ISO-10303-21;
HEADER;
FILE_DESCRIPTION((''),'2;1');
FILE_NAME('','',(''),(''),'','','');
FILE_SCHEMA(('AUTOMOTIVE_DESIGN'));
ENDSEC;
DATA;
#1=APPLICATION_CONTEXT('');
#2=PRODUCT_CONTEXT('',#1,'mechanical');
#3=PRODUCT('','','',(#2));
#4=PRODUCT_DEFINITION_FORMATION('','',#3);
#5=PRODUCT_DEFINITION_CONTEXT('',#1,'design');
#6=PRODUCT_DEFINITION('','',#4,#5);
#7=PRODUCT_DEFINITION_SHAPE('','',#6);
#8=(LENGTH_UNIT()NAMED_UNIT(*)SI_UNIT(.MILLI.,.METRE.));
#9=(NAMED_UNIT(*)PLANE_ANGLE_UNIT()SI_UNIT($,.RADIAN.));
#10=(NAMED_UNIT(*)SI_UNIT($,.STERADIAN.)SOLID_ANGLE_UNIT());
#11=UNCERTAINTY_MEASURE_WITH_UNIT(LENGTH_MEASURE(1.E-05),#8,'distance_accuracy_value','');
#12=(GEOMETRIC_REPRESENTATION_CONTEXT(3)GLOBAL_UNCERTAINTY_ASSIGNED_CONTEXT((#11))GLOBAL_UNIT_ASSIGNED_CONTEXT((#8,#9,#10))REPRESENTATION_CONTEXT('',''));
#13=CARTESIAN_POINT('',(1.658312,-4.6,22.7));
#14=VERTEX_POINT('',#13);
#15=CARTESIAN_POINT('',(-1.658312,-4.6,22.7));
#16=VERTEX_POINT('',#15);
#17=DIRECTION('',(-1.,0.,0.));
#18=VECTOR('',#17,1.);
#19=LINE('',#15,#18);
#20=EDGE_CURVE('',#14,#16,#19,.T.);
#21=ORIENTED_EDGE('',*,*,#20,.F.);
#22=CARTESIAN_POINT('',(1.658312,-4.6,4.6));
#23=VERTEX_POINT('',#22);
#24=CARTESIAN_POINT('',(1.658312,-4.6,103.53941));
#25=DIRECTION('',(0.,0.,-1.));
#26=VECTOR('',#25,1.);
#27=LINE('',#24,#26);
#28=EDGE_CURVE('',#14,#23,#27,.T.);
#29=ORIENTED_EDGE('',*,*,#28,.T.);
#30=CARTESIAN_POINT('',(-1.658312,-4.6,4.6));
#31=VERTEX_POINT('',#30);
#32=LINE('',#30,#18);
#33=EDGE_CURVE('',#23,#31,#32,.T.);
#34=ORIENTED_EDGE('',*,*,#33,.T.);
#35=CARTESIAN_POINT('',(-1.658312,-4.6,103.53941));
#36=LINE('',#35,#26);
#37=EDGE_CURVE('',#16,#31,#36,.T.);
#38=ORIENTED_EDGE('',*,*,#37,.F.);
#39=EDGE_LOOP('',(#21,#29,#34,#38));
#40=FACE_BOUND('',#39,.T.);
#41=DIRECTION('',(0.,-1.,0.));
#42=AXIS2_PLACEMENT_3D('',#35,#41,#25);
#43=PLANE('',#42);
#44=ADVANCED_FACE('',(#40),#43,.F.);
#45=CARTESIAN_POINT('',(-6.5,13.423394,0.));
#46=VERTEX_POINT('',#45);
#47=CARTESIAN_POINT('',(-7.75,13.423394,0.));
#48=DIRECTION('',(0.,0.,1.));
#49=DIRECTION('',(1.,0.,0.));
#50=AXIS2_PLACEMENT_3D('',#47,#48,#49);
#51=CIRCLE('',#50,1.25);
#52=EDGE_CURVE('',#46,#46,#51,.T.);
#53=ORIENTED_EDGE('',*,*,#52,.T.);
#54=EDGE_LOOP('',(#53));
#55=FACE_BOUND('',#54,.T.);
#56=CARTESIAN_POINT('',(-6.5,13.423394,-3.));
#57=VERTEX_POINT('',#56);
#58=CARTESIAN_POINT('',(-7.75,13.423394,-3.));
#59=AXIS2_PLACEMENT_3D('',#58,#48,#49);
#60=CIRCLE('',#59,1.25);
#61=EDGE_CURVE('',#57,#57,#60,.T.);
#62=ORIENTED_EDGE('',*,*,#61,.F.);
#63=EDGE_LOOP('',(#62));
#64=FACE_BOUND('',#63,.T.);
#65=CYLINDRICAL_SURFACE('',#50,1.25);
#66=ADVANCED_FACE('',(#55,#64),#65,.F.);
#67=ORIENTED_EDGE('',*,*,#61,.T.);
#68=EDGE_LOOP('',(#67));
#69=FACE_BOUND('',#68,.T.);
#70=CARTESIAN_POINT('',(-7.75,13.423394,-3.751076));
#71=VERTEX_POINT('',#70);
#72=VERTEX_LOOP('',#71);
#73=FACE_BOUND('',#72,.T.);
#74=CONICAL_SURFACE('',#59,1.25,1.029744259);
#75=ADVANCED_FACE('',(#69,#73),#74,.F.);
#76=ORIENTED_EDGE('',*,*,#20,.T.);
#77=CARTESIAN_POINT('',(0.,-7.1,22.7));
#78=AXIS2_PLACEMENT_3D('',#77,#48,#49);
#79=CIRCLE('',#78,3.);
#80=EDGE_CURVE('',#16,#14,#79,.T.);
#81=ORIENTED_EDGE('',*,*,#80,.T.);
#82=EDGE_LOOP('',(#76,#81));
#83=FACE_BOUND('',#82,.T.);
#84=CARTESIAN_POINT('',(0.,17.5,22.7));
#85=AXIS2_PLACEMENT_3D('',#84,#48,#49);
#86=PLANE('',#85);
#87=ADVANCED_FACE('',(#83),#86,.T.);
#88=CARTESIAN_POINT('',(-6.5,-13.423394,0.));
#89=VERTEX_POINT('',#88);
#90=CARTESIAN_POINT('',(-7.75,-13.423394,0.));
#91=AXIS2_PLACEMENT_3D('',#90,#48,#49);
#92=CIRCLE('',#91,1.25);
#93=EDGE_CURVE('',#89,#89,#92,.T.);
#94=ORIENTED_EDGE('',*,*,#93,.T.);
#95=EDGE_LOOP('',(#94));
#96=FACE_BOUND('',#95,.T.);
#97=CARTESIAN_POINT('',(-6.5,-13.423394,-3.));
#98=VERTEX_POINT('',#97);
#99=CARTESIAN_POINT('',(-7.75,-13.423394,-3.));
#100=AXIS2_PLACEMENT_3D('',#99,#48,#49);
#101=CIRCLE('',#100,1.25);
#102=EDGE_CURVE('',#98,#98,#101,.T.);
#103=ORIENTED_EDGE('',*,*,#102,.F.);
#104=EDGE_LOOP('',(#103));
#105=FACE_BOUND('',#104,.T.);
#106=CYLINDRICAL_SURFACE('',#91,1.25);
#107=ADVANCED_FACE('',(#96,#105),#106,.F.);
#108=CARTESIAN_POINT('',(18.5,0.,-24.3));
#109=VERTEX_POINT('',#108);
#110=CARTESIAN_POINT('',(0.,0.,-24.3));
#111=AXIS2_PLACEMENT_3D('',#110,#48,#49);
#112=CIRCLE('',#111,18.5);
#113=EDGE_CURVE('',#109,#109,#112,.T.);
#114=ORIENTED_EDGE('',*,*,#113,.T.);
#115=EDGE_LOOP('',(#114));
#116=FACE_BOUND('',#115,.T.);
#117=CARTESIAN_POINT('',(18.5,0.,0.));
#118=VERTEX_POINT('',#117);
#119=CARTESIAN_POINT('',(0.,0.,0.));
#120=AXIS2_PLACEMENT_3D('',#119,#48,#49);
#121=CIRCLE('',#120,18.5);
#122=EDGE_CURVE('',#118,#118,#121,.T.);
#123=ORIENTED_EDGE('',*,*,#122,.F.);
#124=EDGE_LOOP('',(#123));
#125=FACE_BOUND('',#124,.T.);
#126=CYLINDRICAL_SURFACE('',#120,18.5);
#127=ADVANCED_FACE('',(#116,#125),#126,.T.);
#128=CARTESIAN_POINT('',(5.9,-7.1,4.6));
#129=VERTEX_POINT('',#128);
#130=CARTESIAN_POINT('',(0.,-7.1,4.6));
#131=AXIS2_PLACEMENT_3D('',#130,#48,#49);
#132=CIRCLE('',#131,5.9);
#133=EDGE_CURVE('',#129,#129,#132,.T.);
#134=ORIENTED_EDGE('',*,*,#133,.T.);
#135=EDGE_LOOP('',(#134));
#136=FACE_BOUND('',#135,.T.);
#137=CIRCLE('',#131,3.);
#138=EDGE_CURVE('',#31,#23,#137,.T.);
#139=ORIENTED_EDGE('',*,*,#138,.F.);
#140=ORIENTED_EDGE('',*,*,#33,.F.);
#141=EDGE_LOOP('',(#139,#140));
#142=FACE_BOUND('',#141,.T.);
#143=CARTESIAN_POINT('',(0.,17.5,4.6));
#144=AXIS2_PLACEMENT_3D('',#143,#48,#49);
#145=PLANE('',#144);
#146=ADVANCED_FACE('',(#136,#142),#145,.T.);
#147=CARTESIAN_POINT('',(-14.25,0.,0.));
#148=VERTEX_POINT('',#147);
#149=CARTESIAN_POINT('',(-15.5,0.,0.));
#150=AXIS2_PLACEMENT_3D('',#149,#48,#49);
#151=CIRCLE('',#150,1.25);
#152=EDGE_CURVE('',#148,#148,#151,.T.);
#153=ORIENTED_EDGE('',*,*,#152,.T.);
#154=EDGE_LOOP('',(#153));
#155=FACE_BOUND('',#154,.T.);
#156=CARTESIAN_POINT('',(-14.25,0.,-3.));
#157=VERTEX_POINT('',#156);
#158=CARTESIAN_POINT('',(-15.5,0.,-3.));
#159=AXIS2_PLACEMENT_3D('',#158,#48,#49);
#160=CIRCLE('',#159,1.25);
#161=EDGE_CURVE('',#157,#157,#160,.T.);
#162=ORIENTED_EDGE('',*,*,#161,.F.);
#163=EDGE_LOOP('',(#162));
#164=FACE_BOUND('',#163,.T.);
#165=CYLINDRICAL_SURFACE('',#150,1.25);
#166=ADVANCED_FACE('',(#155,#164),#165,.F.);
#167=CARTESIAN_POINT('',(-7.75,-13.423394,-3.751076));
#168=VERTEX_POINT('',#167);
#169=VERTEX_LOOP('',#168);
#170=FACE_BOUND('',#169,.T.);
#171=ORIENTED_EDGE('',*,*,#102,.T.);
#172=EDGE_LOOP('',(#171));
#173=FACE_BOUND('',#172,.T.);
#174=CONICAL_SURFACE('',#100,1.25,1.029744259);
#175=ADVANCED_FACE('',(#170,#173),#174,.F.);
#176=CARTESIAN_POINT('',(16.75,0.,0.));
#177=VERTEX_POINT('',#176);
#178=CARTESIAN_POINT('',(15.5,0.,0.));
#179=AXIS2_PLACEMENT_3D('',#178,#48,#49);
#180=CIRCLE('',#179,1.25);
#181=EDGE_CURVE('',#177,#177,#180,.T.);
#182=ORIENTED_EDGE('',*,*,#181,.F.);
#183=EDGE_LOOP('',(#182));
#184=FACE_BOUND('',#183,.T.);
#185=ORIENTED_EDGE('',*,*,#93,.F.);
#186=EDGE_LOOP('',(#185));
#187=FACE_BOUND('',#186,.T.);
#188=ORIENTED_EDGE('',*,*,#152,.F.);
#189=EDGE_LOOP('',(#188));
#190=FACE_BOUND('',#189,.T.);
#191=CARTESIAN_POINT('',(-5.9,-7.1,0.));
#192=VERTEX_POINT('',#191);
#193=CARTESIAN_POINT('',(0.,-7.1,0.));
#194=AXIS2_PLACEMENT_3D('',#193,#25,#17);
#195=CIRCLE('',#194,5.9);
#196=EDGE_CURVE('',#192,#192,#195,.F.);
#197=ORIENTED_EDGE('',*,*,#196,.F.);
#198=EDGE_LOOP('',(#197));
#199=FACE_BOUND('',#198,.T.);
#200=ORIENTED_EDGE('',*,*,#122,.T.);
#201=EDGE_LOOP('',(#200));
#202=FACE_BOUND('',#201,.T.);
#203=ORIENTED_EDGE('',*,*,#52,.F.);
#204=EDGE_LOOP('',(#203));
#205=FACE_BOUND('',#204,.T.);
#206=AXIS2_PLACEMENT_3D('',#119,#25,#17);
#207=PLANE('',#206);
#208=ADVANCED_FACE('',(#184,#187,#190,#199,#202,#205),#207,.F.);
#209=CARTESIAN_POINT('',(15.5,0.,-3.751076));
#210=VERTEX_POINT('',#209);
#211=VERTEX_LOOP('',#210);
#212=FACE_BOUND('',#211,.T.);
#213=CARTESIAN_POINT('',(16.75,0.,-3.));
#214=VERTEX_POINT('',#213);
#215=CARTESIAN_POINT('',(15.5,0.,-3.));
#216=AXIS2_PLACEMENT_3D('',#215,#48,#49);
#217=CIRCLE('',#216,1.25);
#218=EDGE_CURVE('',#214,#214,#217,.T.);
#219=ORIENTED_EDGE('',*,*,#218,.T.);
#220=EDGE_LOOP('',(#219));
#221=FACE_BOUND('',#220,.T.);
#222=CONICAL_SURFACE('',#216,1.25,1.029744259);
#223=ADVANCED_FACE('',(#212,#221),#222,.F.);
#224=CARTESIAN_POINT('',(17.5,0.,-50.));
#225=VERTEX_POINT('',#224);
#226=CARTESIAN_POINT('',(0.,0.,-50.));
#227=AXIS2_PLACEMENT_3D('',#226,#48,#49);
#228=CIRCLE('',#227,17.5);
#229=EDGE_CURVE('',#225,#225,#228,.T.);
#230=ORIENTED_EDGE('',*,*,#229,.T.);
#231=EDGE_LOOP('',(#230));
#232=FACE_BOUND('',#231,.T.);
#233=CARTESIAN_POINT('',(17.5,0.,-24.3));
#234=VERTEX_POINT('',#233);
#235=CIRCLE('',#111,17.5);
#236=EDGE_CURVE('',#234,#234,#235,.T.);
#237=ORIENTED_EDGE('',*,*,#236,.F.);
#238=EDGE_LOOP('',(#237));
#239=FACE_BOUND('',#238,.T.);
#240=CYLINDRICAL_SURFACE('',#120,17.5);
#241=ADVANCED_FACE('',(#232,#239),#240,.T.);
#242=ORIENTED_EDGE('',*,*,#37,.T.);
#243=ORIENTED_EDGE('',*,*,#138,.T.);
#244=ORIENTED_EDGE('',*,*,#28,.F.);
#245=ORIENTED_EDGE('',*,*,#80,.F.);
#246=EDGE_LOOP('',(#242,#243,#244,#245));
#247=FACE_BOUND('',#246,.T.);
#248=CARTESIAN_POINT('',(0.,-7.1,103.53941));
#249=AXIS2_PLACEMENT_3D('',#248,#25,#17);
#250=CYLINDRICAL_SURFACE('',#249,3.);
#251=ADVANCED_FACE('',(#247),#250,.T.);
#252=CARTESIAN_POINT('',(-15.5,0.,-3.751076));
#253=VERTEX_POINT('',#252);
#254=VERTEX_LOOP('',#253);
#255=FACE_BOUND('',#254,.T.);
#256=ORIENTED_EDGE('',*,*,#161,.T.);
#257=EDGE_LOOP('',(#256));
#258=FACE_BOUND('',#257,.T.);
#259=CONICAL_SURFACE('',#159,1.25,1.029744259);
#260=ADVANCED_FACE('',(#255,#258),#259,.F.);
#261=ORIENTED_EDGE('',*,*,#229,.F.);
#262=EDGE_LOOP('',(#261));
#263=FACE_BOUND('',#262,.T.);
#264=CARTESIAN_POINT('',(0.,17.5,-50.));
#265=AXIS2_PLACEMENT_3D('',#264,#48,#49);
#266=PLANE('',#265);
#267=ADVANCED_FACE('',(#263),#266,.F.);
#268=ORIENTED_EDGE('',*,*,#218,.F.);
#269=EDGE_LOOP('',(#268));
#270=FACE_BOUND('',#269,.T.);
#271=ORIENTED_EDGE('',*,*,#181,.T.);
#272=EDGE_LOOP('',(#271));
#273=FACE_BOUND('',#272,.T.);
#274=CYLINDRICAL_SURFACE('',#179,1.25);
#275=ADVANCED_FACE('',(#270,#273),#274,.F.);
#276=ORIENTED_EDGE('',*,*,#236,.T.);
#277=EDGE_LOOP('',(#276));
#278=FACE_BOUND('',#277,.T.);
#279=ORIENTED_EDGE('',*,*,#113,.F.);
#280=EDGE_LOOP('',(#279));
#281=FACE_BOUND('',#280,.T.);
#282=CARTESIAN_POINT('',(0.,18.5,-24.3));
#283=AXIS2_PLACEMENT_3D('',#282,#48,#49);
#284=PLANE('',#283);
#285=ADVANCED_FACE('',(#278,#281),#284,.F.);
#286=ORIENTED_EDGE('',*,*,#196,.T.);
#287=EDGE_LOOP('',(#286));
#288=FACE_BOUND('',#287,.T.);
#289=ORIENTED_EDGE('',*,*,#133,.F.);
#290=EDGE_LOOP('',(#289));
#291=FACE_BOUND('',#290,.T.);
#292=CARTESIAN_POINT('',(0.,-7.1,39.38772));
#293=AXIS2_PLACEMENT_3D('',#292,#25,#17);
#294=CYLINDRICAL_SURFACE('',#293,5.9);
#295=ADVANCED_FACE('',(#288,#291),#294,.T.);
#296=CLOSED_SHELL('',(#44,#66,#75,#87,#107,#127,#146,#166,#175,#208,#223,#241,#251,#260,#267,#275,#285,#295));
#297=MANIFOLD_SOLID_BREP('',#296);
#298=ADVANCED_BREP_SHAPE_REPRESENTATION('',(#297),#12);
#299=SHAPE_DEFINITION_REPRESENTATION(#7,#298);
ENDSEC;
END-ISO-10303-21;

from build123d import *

# Parameters (mm, degrees)
BOSS_EXTRUDE1_DEPTH             = 22.7
SKETCH13_R                      = 5.9
BOSS_EXTRUDE2_DEPTH             = 4.6
TAP_DRILL_FOR_M3X0_5_TAP1_D     = 2.5
TAP_DRILL_FOR_M3X0_5_TAP1_DEPTH = 3
TAP_DRILL_FOR_M3X0_5_TAP1_TIP   = 0.751075774


with BuildPart() as part:
    # Sketch4 → Revolve1 (revolve)
    with BuildSketch(Plane(origin=(0, 0, 0), x_dir=(0, 0, -1), z_dir=(1, 0, 0))):
        Polygon((0, 0), (0, 18.5), (24.3, 18.5), (24.3, 17.5), (50, 17.5), (50, 0), align=None)
    revolve(axis=Axis((0, 0, 0), (0, 0, -1)))

    # Sketch12 → Boss-Extrude1 (add)
    with BuildSketch(Plane.XY):
        with BuildLine():
            Line((-1.658312395, -4.6), (1.658312395, -4.6))
            ThreePointArc((1.658312395, -4.6), (0, -10.1), (-1.658312395, -4.6))
        make_face()
    extrude(amount=BOSS_EXTRUDE1_DEPTH)

    # Sketch13 → Boss-Extrude2 (add)
    with BuildSketch(Plane.XY):
        with Locations((0, -7.1)):
            Circle(SKETCH13_R)
    extrude(amount=BOSS_EXTRUDE2_DEPTH)

    # Tap Drill for M3x0.5 Tap1
    with Locations(Plane.XY):
        with Locations((15.5, 0), (-15.5, 0), (-7.75, 13.423393759), (-7.75, -13.423393759)):
            Hole(TAP_DRILL_FOR_M3X0_5_TAP1_D / 2, depth=TAP_DRILL_FOR_M3X0_5_TAP1_DEPTH)
            with Locations((0, 0, -(TAP_DRILL_FOR_M3X0_5_TAP1_DEPTH + TAP_DRILL_FOR_M3X0_5_TAP1_TIP / 2))):  # 118° drill point
                Cone(0, TAP_DRILL_FOR_M3X0_5_TAP1_D / 2, TAP_DRILL_FOR_M3X0_5_TAP1_TIP, mode=Mode.SUBTRACT)


solid = part.part
